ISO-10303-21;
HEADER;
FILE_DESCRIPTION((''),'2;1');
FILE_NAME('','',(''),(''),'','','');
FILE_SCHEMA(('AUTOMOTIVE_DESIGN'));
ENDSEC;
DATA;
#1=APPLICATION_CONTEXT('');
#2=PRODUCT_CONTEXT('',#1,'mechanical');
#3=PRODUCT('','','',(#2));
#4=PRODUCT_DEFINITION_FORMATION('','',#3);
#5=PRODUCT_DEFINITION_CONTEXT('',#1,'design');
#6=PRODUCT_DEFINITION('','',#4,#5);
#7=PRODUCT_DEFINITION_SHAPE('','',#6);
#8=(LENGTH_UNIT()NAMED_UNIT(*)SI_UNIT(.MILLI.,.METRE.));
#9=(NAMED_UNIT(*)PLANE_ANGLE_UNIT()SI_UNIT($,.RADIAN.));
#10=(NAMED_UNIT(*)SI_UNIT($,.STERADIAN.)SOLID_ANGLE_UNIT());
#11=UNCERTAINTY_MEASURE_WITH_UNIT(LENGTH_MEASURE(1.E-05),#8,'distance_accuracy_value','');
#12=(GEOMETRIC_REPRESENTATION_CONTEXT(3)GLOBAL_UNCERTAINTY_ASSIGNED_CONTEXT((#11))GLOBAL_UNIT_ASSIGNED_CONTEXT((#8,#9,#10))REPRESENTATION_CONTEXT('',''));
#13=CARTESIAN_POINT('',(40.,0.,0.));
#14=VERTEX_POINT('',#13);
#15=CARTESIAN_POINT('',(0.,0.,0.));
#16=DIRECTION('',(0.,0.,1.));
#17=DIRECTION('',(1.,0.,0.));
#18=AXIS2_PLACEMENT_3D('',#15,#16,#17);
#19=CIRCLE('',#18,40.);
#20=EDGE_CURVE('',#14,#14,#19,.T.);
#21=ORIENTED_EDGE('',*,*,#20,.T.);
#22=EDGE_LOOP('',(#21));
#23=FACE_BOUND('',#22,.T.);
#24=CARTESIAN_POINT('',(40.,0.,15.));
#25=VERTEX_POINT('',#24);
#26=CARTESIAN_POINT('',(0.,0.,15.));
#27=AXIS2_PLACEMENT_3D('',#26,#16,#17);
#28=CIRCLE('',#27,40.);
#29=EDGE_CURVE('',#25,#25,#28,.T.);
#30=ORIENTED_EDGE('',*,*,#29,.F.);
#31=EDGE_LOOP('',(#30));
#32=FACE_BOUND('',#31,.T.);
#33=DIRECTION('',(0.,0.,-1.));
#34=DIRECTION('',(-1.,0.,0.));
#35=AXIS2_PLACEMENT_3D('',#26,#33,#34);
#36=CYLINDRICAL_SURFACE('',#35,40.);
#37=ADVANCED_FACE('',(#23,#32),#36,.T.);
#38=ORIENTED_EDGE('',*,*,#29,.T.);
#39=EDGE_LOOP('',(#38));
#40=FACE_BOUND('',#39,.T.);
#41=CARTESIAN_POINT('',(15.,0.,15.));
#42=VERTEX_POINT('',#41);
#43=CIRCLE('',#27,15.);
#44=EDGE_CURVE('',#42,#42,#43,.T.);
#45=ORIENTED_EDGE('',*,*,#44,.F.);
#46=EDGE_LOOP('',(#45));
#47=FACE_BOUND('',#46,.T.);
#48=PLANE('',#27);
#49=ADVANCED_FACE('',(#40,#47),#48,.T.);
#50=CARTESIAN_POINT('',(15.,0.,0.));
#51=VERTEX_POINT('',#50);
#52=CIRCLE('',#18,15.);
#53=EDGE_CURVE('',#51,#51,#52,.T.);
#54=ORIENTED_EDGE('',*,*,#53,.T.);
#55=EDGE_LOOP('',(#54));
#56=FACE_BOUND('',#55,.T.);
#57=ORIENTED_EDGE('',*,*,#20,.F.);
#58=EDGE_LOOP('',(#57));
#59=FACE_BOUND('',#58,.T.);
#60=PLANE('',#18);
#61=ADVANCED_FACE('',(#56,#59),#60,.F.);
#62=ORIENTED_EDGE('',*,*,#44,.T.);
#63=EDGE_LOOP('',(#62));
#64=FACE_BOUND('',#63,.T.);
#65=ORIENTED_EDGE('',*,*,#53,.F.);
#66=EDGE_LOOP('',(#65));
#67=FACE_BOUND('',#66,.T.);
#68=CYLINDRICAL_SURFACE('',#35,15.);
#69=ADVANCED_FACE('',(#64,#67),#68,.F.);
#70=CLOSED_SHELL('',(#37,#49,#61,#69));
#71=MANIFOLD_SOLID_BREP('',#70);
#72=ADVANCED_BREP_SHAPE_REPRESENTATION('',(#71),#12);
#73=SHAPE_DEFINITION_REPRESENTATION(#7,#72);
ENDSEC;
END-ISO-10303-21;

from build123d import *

# Parameters (mm, degrees)
SKETCH1_R           = 40
SKETCH1_R_2         = 15
BOSS_EXTRUDE1_DEPTH = 15


with BuildPart() as part:
    # Sketch1 → Boss-Extrude1 (new body)
    with BuildSketch(Plane.XY):
        Circle(SKETCH1_R)
        Circle(SKETCH1_R_2, mode=Mode.SUBTRACT)
    extrude(amount=BOSS_EXTRUDE1_DEPTH)


solid = part.part
